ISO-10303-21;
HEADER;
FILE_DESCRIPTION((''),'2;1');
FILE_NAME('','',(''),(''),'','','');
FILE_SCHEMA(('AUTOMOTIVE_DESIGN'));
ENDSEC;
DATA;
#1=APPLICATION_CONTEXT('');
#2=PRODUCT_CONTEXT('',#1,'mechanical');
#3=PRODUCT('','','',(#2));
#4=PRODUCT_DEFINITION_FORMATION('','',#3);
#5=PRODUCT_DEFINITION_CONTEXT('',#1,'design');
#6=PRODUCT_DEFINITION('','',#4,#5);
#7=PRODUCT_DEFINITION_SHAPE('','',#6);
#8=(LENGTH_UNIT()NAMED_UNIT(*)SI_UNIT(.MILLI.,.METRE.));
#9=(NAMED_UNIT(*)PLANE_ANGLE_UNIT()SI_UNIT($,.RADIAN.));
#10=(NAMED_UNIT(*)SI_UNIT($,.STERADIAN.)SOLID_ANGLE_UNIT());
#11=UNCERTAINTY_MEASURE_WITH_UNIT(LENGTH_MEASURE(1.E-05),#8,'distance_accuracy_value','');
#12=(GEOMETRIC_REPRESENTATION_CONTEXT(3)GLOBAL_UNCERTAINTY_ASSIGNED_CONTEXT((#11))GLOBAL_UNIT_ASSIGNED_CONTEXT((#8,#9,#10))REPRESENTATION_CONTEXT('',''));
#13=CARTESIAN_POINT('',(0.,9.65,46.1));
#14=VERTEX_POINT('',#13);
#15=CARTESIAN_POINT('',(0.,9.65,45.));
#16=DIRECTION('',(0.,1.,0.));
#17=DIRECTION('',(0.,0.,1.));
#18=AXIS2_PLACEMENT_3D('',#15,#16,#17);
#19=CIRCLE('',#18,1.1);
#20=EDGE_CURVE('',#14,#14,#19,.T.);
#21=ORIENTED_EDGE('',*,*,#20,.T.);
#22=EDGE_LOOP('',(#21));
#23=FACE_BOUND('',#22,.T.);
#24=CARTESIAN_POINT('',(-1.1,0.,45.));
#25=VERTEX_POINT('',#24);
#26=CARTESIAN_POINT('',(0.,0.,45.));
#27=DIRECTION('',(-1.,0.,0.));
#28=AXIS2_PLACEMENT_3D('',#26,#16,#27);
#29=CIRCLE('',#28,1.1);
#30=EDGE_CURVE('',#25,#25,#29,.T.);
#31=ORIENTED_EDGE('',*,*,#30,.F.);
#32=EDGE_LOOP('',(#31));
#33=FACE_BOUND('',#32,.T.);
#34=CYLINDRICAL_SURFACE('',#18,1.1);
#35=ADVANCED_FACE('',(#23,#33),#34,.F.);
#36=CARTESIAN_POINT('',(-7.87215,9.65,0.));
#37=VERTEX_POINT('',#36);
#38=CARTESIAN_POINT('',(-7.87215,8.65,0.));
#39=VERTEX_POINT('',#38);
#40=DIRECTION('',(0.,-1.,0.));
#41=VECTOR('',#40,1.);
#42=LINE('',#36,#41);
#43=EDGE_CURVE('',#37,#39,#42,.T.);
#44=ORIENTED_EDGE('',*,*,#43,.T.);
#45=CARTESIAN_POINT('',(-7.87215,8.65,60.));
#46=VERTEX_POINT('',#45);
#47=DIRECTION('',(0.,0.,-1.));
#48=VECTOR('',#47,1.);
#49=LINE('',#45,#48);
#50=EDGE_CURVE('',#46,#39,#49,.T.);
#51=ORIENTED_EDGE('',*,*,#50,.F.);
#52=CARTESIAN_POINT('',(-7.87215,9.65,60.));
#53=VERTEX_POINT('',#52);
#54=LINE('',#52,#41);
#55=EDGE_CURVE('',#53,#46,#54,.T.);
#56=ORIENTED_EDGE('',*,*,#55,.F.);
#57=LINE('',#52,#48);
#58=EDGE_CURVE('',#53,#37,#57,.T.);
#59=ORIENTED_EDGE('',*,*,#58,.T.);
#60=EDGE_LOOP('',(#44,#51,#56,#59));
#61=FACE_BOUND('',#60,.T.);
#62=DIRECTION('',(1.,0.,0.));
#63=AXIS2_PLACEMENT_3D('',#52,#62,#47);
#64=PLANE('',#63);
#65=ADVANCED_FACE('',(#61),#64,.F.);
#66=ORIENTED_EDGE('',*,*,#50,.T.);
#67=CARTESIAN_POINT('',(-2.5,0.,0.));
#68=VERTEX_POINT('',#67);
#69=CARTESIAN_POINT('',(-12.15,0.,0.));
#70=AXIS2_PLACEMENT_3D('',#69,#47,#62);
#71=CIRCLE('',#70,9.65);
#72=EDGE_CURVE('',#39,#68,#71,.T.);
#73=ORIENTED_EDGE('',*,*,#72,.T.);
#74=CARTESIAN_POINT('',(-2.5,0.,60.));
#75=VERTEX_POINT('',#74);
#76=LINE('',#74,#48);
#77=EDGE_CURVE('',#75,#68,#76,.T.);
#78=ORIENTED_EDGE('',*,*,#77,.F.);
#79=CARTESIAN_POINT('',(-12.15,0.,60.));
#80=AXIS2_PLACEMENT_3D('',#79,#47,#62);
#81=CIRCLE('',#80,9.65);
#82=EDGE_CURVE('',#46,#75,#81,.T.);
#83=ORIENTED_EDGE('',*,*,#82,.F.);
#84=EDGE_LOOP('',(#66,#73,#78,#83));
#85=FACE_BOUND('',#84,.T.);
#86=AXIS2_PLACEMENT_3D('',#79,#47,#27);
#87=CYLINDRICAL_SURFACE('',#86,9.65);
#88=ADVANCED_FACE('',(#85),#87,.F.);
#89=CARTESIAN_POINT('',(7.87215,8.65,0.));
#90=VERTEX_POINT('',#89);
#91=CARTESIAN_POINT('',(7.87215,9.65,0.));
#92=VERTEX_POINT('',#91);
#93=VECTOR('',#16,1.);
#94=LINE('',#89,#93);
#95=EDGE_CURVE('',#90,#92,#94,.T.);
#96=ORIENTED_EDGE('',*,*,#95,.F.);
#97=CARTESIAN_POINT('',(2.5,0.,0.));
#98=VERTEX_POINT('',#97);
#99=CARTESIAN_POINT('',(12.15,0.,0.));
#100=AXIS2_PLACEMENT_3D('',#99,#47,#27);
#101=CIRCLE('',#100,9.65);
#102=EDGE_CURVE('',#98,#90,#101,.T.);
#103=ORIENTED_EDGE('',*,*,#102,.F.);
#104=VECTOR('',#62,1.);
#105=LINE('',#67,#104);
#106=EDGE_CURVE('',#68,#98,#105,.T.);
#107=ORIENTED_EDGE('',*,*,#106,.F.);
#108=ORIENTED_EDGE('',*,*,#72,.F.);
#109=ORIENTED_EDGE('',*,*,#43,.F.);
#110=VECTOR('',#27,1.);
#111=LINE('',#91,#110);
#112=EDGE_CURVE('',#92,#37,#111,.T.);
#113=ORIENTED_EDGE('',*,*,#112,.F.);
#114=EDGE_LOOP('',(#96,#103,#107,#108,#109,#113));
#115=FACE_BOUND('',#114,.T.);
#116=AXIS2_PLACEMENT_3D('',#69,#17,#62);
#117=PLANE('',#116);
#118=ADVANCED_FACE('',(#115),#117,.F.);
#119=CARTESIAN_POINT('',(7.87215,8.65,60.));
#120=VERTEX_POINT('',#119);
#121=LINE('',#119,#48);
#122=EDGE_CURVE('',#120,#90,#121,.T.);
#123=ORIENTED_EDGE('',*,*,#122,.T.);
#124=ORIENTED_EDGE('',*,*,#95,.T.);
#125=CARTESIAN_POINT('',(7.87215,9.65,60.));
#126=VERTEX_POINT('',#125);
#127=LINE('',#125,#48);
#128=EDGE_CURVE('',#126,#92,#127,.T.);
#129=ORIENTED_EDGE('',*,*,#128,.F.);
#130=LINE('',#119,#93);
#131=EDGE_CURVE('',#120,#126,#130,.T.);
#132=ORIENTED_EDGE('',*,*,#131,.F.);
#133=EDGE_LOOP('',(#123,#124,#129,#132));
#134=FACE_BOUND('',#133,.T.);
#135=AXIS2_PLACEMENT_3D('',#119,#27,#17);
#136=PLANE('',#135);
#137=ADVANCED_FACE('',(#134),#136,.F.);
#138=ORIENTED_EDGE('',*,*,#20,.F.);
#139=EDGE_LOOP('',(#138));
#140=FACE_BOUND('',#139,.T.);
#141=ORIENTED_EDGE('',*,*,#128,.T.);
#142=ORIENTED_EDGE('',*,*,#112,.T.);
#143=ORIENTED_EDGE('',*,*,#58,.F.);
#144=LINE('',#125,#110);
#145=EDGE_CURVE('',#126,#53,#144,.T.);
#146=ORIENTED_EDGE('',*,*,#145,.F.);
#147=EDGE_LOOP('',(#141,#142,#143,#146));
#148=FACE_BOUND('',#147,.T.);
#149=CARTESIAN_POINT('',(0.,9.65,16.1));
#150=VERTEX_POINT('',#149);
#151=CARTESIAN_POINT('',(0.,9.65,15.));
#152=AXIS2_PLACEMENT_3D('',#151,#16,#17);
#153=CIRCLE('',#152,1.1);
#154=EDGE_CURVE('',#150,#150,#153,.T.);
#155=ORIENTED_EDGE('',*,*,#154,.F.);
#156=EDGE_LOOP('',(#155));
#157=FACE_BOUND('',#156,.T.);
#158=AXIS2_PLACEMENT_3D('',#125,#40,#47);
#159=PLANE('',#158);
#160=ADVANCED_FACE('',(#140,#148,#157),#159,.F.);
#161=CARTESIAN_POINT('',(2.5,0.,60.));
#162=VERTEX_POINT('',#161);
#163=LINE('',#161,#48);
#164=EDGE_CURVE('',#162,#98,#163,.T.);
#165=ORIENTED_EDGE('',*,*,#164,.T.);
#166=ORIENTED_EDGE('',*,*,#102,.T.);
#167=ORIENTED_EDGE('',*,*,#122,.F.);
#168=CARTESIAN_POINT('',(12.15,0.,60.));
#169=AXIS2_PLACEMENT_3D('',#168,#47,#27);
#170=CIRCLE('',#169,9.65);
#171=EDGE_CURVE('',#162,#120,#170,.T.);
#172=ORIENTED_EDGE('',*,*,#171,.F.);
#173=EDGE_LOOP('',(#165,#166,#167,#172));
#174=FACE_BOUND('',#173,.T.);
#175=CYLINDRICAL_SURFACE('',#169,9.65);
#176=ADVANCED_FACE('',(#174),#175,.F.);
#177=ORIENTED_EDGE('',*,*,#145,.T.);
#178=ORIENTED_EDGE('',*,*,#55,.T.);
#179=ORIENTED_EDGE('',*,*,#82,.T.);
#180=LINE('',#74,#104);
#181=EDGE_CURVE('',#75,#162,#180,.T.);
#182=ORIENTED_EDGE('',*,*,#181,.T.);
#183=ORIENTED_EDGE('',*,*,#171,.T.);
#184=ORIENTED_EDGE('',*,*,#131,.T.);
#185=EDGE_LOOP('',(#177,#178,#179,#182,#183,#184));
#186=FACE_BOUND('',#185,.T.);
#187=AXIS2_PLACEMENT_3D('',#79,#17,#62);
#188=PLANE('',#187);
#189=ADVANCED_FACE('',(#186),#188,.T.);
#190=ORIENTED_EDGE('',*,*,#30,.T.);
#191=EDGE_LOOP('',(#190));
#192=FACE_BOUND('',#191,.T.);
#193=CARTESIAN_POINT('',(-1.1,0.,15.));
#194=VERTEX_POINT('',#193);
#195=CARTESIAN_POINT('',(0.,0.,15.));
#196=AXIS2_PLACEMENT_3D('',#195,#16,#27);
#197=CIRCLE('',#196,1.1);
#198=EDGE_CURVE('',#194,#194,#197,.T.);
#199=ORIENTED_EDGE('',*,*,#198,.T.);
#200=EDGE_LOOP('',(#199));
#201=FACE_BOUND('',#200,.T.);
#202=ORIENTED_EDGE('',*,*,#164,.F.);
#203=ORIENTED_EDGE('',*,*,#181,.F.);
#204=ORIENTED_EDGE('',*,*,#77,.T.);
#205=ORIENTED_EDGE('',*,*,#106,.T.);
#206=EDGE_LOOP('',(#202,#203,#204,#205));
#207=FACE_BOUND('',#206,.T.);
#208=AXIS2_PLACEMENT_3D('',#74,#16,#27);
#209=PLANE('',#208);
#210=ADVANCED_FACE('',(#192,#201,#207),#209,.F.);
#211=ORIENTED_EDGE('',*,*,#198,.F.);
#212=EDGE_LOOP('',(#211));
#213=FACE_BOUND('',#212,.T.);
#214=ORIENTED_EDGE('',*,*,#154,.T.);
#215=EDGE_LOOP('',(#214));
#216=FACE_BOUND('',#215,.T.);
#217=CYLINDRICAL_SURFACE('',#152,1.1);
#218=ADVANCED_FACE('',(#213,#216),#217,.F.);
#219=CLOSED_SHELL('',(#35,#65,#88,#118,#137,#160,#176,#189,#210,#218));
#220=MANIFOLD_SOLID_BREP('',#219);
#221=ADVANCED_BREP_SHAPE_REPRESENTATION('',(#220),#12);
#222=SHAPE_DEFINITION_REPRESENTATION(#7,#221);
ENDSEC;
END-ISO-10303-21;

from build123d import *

# Parameters (mm, degrees)
BOSS_EXTRUDE1_DEPTH        = 60
F_2_2_2_2_DIAMETER_HOLE1_D = 2.2


with BuildPart() as part:
    # Sketch1 → Boss-Extrude1 (new body)
    with BuildSketch(Plane.XY):
        with BuildLine():
            Line((-2.5, 0), (2.5, 0))
            ThreePointArc((2.5, 0), (3.95232497, 5.091230117), (7.872150073, 8.65))
            Line((7.872150073, 8.65), (7.872150073, 9.65))
            Line((7.872150073, 9.65), (-7.872150073, 9.65))
            Line((-7.872150073, 9.65), (-7.872150073, 8.65))
            ThreePointArc((-7.872150073, 8.65), (-3.95232497, 5.091230117), (-2.5, 0))
        make_face()
    extrude(amount=BOSS_EXTRUDE1_DEPTH)

    # Ø2.2 (2.2) Diameter Hole1 (through all)
    with Locations(Plane(origin=(0, 9.65, 45), x_dir=(0, 0, 1), z_dir=(0, 1, 0))):
        with Locations((0, 0), (-30, 0)):
            Hole(F_2_2_2_2_DIAMETER_HOLE1_D / 2)


solid = part.part
